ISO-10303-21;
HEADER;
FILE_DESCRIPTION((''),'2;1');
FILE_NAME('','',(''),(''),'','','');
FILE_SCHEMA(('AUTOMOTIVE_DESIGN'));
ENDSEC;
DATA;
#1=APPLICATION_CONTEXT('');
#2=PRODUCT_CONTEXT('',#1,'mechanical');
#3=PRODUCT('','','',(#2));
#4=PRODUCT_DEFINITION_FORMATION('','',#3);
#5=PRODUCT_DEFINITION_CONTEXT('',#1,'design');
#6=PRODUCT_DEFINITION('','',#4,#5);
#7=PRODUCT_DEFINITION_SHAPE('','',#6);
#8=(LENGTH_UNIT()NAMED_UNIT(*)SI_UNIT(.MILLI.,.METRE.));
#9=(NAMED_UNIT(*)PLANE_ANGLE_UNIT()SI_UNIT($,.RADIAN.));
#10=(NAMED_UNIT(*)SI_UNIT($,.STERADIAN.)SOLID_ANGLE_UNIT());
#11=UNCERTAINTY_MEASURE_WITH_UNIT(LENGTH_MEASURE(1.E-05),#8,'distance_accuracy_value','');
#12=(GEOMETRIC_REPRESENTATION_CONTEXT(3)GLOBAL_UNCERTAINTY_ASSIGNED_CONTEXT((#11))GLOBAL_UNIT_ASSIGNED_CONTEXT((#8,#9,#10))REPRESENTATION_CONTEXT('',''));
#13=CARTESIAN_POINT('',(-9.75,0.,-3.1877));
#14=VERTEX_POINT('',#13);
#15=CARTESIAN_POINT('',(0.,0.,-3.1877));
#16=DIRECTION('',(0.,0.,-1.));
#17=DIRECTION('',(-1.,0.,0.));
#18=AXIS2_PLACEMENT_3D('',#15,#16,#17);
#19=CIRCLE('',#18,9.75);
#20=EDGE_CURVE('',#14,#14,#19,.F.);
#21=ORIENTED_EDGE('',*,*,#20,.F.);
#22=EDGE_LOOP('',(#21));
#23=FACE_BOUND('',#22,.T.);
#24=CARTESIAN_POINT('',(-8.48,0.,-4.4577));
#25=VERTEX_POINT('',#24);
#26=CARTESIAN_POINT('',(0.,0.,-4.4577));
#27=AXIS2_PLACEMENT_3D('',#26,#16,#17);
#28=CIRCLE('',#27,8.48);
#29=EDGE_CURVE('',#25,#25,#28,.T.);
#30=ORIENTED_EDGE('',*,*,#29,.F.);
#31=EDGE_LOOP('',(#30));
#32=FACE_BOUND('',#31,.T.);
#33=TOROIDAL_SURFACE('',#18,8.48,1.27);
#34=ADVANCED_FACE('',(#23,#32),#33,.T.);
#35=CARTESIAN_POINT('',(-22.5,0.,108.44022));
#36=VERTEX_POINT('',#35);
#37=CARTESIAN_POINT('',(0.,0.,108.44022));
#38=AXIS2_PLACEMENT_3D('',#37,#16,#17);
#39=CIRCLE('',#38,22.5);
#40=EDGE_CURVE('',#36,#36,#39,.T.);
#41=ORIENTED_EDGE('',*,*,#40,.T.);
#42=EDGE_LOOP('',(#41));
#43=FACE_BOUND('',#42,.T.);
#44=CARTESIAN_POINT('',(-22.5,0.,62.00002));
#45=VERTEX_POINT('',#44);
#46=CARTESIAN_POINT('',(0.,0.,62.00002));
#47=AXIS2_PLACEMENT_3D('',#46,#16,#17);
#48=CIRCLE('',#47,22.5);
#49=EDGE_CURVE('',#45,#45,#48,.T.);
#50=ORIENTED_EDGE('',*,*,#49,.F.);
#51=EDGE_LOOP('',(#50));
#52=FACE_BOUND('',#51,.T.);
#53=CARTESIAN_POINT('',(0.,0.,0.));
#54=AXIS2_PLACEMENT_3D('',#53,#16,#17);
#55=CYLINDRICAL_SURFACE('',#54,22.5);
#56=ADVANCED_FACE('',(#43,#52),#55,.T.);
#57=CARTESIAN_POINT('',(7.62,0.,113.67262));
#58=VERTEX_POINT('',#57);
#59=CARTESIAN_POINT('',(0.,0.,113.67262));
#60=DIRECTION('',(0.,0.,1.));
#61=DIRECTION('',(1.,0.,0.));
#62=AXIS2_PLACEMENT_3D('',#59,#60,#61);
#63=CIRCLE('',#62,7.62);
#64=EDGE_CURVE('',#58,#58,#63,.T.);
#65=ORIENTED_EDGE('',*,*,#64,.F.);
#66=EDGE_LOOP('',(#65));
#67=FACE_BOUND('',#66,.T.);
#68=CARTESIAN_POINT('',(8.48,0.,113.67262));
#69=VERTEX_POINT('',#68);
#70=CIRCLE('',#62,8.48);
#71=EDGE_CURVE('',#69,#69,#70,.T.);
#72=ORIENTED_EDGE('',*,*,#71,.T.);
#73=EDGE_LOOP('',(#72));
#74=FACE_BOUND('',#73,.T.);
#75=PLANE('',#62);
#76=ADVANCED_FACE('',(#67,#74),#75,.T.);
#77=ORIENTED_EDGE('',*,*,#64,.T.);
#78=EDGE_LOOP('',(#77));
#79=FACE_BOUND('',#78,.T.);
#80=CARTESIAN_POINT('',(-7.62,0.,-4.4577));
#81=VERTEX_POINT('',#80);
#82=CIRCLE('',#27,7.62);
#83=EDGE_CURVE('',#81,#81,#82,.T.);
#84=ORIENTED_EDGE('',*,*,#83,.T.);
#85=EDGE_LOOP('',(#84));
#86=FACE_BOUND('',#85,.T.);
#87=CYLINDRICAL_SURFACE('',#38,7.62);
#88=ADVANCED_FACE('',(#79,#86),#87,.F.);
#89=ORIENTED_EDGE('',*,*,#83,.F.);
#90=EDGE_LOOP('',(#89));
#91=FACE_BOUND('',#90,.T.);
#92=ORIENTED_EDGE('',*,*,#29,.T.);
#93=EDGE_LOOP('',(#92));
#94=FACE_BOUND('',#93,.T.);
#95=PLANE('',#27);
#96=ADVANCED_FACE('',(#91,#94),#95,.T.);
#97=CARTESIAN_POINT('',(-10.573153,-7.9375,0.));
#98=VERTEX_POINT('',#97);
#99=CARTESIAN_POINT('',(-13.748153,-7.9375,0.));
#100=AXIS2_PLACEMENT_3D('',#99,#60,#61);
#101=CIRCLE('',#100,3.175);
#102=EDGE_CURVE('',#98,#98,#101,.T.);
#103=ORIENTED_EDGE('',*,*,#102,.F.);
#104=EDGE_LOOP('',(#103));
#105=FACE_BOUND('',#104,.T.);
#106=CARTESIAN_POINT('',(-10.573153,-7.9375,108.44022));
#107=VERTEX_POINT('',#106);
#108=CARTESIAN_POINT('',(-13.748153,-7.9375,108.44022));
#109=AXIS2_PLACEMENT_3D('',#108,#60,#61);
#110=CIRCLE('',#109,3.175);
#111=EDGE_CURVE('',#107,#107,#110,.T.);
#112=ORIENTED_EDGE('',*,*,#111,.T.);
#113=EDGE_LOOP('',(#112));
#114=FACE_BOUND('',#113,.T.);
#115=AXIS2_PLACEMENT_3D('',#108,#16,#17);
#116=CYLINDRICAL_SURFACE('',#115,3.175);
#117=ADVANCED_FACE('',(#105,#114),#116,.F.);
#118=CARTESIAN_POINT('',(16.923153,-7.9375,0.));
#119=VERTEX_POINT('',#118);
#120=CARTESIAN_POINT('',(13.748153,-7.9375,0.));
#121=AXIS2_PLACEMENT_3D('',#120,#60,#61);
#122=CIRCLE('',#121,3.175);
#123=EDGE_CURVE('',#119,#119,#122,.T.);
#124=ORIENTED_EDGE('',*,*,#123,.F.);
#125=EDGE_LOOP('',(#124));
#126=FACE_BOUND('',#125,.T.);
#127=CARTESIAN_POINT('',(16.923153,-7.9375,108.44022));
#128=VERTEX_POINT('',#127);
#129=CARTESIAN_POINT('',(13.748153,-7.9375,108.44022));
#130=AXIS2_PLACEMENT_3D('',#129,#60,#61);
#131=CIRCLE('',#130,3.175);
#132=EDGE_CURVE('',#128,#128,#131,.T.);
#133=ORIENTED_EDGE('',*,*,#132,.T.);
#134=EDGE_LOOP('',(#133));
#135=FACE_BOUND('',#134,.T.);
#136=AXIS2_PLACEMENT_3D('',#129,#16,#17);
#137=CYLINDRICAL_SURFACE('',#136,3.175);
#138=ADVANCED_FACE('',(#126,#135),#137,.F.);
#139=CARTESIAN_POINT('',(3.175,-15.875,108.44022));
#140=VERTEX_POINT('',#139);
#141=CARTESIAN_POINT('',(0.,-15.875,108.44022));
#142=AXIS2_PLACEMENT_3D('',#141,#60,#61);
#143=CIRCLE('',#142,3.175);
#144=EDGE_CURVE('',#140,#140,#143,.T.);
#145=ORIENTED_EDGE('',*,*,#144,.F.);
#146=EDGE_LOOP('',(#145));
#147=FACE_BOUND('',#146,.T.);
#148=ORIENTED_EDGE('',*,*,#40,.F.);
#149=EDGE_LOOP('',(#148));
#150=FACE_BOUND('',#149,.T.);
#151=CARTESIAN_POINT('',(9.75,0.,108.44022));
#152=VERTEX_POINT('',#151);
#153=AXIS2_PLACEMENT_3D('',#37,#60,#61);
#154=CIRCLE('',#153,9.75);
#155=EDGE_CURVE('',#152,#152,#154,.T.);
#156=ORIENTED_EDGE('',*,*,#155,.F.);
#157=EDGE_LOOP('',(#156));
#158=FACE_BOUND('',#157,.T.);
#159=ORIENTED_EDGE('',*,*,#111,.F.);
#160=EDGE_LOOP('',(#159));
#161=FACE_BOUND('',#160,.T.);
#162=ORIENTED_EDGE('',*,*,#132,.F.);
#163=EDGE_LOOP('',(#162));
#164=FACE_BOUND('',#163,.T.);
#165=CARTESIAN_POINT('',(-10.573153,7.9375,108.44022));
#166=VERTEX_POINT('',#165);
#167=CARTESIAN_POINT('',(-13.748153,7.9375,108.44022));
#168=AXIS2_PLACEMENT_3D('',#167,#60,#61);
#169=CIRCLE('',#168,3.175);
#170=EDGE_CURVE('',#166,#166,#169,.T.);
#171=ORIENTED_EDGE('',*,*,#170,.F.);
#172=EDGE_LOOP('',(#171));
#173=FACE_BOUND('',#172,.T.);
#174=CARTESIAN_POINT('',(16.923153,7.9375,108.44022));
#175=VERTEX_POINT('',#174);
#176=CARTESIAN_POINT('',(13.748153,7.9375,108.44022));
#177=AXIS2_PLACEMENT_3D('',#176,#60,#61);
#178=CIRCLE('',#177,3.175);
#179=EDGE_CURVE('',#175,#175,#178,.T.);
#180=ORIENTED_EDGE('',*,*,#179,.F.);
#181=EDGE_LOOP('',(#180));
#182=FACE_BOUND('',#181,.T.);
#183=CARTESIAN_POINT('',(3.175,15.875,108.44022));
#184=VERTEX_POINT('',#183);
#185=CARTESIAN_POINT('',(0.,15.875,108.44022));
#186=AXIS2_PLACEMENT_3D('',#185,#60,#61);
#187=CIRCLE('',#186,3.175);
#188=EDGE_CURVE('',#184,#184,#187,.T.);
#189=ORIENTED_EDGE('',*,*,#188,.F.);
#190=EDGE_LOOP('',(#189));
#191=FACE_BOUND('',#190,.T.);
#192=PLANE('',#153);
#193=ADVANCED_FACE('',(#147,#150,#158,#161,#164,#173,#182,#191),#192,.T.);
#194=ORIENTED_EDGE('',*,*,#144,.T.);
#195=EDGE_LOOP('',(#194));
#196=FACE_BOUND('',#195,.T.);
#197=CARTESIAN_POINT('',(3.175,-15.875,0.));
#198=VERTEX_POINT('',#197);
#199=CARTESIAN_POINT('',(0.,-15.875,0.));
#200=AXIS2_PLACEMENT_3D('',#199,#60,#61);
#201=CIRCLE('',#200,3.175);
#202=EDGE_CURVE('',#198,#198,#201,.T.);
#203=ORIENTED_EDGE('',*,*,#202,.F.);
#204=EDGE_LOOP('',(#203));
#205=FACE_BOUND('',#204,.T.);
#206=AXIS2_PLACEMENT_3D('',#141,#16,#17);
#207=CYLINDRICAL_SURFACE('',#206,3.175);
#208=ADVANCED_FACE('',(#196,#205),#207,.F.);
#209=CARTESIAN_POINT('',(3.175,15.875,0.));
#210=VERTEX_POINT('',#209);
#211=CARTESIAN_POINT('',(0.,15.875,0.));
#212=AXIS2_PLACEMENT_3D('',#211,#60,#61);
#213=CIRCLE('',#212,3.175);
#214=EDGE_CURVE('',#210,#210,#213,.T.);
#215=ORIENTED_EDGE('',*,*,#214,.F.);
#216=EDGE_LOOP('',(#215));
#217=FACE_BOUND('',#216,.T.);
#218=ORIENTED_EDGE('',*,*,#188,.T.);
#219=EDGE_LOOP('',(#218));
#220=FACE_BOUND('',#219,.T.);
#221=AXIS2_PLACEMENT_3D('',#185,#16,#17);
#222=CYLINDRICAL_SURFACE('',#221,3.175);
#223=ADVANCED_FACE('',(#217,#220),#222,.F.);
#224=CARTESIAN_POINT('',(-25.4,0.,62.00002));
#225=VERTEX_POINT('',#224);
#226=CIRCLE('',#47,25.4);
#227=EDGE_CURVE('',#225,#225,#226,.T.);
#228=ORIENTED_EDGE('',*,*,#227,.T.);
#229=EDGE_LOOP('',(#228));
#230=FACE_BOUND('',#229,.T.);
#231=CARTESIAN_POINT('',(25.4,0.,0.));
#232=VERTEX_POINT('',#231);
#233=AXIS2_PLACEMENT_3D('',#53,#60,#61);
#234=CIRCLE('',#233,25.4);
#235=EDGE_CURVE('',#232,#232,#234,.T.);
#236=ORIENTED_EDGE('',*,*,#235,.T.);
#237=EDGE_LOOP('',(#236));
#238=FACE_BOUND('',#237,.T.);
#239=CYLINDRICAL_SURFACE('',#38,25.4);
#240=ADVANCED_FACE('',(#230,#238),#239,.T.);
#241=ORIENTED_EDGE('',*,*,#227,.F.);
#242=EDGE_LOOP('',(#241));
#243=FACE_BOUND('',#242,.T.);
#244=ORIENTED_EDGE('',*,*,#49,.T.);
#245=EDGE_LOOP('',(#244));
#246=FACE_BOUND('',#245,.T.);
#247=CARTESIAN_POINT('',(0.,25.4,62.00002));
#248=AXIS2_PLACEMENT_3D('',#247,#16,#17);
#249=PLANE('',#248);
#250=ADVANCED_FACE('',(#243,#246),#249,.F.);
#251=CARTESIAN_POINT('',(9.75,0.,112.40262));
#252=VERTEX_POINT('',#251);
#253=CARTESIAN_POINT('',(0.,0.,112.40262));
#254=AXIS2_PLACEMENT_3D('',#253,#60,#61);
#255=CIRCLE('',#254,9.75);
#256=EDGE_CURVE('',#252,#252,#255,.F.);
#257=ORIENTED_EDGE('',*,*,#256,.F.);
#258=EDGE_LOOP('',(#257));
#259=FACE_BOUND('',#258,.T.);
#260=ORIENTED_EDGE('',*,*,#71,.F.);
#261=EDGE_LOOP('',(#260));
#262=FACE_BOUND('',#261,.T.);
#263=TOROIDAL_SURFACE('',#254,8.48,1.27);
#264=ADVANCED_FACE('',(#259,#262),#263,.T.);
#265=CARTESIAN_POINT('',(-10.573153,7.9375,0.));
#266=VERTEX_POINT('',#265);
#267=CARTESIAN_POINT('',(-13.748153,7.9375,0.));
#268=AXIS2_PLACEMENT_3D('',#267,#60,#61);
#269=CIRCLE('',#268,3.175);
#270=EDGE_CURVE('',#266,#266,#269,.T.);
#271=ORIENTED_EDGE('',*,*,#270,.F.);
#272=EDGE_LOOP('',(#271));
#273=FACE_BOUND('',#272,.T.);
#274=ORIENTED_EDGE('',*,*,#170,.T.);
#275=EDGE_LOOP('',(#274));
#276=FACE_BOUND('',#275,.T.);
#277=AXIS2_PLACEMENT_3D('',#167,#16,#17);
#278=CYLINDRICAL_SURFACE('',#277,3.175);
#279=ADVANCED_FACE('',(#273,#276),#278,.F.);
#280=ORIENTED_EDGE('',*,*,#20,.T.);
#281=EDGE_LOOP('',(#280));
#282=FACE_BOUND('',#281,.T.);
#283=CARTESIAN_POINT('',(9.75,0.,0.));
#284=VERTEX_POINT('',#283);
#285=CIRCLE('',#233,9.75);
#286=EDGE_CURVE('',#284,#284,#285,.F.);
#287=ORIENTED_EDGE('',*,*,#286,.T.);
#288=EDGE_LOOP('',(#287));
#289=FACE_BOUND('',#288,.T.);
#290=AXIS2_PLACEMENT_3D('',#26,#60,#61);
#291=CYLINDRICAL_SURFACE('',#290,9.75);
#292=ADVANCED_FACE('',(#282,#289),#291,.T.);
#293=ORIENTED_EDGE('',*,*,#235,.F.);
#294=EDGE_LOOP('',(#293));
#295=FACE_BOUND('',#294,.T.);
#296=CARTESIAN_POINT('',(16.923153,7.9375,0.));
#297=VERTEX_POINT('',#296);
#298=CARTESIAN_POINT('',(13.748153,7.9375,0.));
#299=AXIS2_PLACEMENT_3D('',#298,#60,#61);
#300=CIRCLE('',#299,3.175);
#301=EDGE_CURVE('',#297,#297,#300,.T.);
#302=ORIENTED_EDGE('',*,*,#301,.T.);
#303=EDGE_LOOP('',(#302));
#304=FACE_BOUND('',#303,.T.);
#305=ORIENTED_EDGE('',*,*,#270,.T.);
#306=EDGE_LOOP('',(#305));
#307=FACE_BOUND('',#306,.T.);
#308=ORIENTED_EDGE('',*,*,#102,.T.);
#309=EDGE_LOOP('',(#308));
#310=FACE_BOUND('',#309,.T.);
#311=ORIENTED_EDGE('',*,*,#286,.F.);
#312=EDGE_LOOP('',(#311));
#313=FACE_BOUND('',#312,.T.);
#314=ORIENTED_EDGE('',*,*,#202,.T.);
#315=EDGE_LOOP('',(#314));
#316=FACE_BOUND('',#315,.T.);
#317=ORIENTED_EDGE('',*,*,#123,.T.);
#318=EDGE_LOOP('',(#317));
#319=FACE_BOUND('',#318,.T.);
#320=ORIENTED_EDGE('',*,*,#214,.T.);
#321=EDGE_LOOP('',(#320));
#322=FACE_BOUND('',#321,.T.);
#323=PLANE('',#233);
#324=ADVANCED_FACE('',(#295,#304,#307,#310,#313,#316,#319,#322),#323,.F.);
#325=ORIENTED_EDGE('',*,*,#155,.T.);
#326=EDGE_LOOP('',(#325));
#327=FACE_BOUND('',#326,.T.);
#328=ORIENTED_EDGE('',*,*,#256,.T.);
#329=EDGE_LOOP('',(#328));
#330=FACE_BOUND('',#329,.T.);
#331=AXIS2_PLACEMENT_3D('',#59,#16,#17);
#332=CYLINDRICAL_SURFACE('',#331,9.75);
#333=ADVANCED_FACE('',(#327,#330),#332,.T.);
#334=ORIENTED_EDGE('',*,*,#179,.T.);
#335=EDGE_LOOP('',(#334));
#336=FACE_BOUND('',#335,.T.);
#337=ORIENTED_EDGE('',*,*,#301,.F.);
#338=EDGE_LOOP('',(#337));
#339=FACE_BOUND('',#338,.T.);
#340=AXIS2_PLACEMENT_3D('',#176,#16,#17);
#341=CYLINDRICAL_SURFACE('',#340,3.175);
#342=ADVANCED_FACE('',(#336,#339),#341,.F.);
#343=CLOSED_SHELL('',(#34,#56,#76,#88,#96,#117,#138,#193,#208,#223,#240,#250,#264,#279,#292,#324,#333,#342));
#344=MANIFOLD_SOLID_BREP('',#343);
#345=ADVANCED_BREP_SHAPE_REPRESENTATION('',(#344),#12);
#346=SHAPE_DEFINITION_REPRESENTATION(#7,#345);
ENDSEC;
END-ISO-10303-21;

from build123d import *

# Parameters (mm, degrees)
SKETCH1_R           = 25.4
SKETCH1_R_2         = 7.62
SKETCH1_R_3         = 3.175
BOSS_EXTRUDE1_DEPTH = 108.44022
SKETCH2_R           = 9.75
SKETCH2_R_2         = 7.62
BOSS_EXTRUDE2_DEPTH = 5.2324
BOSS_EXTRUDE3_START = 4.4577
SKETCH3_R           = 9.75
SKETCH3_R_2         = 7.62
BOSS_EXTRUDE3_DEPTH = 4.4577
FILLET2_R           = 1.27
FILLET3_R           = 1.27
SKETCH4_W           = 46.4402
SKETCH4_H           = 2.9


with BuildPart() as part:
    # Sketch1 → Boss-Extrude1 (new body)
    with BuildSketch(Plane.XY):
        Circle(SKETCH1_R)
        Circle(SKETCH1_R_2, mode=Mode.SUBTRACT)
        with Locations((0, 15.875)):
            Circle(SKETCH1_R_3, mode=Mode.SUBTRACT)
        with Locations((13.748153285, 7.9375)):
            Circle(SKETCH1_R_3, mode=Mode.SUBTRACT)
        with Locations((13.748153285, -7.9375)):
            Circle(SKETCH1_R_3, mode=Mode.SUBTRACT)
        with Locations((0, -15.875)):
            Circle(SKETCH1_R_3, mode=Mode.SUBTRACT)
        with Locations((-13.748153285, -7.9375)):
            Circle(SKETCH1_R_3, mode=Mode.SUBTRACT)
        with Locations((-13.748153285, 7.9375)):
            Circle(SKETCH1_R_3, mode=Mode.SUBTRACT)
    extrude(amount=BOSS_EXTRUDE1_DEPTH)

    # Sketch2 → Boss-Extrude2 (add)
    with BuildSketch(Plane.XY.offset(108.44022)):
        Circle(SKETCH2_R)
        Circle(SKETCH2_R_2, mode=Mode.SUBTRACT)
    extrude(amount=BOSS_EXTRUDE2_DEPTH)

    # Sketch3 → Boss-Extrude3 (add)
    with BuildSketch(Plane(origin=(0, 0, 0), x_dir=(-1, 0, 0), z_dir=(0, 0, -1)).offset(BOSS_EXTRUDE3_START)):
        with Locations(Location((0, 0, 0), (0, 0, 180))):
            Circle(SKETCH3_R)
        Circle(SKETCH3_R_2, mode=Mode.SUBTRACT)
    extrude(amount=-BOSS_EXTRUDE3_DEPTH)

    # Fillet2
    fillet2_edges = [part.edges().sort_by_distance(p)[0] for p in [
        (-9.75, 0, -4.4577),
    ]]
    fillet(fillet2_edges, radius=FILLET2_R)

    # Fillet3
    fillet3_edges = [part.edges().sort_by_distance(p)[0] for p in [
        (-9.75, 0, 113.67262),
    ]]
    fillet(fillet3_edges, radius=FILLET3_R)

    # Sketch4 → Cut-Revolve1 (revolve, cut)
    with BuildSketch(Plane(origin=(0, 0, 0), x_dir=(0, 0, -1), z_dir=(1, 0, 0)), mode=Mode.PRIVATE) as cut_revolve1_sk:
        with Locations((-85.22012, 23.95)):
            Rectangle(SKETCH4_W, SKETCH4_H)
    revolve(cut_revolve1_sk.sketch.rotate(Axis((0, 0, 0), (0, 0, 1)), 90), axis=Axis((0, 0, 0), (0, 0, 1)), mode=Mode.SUBTRACT)


solid = part.part
